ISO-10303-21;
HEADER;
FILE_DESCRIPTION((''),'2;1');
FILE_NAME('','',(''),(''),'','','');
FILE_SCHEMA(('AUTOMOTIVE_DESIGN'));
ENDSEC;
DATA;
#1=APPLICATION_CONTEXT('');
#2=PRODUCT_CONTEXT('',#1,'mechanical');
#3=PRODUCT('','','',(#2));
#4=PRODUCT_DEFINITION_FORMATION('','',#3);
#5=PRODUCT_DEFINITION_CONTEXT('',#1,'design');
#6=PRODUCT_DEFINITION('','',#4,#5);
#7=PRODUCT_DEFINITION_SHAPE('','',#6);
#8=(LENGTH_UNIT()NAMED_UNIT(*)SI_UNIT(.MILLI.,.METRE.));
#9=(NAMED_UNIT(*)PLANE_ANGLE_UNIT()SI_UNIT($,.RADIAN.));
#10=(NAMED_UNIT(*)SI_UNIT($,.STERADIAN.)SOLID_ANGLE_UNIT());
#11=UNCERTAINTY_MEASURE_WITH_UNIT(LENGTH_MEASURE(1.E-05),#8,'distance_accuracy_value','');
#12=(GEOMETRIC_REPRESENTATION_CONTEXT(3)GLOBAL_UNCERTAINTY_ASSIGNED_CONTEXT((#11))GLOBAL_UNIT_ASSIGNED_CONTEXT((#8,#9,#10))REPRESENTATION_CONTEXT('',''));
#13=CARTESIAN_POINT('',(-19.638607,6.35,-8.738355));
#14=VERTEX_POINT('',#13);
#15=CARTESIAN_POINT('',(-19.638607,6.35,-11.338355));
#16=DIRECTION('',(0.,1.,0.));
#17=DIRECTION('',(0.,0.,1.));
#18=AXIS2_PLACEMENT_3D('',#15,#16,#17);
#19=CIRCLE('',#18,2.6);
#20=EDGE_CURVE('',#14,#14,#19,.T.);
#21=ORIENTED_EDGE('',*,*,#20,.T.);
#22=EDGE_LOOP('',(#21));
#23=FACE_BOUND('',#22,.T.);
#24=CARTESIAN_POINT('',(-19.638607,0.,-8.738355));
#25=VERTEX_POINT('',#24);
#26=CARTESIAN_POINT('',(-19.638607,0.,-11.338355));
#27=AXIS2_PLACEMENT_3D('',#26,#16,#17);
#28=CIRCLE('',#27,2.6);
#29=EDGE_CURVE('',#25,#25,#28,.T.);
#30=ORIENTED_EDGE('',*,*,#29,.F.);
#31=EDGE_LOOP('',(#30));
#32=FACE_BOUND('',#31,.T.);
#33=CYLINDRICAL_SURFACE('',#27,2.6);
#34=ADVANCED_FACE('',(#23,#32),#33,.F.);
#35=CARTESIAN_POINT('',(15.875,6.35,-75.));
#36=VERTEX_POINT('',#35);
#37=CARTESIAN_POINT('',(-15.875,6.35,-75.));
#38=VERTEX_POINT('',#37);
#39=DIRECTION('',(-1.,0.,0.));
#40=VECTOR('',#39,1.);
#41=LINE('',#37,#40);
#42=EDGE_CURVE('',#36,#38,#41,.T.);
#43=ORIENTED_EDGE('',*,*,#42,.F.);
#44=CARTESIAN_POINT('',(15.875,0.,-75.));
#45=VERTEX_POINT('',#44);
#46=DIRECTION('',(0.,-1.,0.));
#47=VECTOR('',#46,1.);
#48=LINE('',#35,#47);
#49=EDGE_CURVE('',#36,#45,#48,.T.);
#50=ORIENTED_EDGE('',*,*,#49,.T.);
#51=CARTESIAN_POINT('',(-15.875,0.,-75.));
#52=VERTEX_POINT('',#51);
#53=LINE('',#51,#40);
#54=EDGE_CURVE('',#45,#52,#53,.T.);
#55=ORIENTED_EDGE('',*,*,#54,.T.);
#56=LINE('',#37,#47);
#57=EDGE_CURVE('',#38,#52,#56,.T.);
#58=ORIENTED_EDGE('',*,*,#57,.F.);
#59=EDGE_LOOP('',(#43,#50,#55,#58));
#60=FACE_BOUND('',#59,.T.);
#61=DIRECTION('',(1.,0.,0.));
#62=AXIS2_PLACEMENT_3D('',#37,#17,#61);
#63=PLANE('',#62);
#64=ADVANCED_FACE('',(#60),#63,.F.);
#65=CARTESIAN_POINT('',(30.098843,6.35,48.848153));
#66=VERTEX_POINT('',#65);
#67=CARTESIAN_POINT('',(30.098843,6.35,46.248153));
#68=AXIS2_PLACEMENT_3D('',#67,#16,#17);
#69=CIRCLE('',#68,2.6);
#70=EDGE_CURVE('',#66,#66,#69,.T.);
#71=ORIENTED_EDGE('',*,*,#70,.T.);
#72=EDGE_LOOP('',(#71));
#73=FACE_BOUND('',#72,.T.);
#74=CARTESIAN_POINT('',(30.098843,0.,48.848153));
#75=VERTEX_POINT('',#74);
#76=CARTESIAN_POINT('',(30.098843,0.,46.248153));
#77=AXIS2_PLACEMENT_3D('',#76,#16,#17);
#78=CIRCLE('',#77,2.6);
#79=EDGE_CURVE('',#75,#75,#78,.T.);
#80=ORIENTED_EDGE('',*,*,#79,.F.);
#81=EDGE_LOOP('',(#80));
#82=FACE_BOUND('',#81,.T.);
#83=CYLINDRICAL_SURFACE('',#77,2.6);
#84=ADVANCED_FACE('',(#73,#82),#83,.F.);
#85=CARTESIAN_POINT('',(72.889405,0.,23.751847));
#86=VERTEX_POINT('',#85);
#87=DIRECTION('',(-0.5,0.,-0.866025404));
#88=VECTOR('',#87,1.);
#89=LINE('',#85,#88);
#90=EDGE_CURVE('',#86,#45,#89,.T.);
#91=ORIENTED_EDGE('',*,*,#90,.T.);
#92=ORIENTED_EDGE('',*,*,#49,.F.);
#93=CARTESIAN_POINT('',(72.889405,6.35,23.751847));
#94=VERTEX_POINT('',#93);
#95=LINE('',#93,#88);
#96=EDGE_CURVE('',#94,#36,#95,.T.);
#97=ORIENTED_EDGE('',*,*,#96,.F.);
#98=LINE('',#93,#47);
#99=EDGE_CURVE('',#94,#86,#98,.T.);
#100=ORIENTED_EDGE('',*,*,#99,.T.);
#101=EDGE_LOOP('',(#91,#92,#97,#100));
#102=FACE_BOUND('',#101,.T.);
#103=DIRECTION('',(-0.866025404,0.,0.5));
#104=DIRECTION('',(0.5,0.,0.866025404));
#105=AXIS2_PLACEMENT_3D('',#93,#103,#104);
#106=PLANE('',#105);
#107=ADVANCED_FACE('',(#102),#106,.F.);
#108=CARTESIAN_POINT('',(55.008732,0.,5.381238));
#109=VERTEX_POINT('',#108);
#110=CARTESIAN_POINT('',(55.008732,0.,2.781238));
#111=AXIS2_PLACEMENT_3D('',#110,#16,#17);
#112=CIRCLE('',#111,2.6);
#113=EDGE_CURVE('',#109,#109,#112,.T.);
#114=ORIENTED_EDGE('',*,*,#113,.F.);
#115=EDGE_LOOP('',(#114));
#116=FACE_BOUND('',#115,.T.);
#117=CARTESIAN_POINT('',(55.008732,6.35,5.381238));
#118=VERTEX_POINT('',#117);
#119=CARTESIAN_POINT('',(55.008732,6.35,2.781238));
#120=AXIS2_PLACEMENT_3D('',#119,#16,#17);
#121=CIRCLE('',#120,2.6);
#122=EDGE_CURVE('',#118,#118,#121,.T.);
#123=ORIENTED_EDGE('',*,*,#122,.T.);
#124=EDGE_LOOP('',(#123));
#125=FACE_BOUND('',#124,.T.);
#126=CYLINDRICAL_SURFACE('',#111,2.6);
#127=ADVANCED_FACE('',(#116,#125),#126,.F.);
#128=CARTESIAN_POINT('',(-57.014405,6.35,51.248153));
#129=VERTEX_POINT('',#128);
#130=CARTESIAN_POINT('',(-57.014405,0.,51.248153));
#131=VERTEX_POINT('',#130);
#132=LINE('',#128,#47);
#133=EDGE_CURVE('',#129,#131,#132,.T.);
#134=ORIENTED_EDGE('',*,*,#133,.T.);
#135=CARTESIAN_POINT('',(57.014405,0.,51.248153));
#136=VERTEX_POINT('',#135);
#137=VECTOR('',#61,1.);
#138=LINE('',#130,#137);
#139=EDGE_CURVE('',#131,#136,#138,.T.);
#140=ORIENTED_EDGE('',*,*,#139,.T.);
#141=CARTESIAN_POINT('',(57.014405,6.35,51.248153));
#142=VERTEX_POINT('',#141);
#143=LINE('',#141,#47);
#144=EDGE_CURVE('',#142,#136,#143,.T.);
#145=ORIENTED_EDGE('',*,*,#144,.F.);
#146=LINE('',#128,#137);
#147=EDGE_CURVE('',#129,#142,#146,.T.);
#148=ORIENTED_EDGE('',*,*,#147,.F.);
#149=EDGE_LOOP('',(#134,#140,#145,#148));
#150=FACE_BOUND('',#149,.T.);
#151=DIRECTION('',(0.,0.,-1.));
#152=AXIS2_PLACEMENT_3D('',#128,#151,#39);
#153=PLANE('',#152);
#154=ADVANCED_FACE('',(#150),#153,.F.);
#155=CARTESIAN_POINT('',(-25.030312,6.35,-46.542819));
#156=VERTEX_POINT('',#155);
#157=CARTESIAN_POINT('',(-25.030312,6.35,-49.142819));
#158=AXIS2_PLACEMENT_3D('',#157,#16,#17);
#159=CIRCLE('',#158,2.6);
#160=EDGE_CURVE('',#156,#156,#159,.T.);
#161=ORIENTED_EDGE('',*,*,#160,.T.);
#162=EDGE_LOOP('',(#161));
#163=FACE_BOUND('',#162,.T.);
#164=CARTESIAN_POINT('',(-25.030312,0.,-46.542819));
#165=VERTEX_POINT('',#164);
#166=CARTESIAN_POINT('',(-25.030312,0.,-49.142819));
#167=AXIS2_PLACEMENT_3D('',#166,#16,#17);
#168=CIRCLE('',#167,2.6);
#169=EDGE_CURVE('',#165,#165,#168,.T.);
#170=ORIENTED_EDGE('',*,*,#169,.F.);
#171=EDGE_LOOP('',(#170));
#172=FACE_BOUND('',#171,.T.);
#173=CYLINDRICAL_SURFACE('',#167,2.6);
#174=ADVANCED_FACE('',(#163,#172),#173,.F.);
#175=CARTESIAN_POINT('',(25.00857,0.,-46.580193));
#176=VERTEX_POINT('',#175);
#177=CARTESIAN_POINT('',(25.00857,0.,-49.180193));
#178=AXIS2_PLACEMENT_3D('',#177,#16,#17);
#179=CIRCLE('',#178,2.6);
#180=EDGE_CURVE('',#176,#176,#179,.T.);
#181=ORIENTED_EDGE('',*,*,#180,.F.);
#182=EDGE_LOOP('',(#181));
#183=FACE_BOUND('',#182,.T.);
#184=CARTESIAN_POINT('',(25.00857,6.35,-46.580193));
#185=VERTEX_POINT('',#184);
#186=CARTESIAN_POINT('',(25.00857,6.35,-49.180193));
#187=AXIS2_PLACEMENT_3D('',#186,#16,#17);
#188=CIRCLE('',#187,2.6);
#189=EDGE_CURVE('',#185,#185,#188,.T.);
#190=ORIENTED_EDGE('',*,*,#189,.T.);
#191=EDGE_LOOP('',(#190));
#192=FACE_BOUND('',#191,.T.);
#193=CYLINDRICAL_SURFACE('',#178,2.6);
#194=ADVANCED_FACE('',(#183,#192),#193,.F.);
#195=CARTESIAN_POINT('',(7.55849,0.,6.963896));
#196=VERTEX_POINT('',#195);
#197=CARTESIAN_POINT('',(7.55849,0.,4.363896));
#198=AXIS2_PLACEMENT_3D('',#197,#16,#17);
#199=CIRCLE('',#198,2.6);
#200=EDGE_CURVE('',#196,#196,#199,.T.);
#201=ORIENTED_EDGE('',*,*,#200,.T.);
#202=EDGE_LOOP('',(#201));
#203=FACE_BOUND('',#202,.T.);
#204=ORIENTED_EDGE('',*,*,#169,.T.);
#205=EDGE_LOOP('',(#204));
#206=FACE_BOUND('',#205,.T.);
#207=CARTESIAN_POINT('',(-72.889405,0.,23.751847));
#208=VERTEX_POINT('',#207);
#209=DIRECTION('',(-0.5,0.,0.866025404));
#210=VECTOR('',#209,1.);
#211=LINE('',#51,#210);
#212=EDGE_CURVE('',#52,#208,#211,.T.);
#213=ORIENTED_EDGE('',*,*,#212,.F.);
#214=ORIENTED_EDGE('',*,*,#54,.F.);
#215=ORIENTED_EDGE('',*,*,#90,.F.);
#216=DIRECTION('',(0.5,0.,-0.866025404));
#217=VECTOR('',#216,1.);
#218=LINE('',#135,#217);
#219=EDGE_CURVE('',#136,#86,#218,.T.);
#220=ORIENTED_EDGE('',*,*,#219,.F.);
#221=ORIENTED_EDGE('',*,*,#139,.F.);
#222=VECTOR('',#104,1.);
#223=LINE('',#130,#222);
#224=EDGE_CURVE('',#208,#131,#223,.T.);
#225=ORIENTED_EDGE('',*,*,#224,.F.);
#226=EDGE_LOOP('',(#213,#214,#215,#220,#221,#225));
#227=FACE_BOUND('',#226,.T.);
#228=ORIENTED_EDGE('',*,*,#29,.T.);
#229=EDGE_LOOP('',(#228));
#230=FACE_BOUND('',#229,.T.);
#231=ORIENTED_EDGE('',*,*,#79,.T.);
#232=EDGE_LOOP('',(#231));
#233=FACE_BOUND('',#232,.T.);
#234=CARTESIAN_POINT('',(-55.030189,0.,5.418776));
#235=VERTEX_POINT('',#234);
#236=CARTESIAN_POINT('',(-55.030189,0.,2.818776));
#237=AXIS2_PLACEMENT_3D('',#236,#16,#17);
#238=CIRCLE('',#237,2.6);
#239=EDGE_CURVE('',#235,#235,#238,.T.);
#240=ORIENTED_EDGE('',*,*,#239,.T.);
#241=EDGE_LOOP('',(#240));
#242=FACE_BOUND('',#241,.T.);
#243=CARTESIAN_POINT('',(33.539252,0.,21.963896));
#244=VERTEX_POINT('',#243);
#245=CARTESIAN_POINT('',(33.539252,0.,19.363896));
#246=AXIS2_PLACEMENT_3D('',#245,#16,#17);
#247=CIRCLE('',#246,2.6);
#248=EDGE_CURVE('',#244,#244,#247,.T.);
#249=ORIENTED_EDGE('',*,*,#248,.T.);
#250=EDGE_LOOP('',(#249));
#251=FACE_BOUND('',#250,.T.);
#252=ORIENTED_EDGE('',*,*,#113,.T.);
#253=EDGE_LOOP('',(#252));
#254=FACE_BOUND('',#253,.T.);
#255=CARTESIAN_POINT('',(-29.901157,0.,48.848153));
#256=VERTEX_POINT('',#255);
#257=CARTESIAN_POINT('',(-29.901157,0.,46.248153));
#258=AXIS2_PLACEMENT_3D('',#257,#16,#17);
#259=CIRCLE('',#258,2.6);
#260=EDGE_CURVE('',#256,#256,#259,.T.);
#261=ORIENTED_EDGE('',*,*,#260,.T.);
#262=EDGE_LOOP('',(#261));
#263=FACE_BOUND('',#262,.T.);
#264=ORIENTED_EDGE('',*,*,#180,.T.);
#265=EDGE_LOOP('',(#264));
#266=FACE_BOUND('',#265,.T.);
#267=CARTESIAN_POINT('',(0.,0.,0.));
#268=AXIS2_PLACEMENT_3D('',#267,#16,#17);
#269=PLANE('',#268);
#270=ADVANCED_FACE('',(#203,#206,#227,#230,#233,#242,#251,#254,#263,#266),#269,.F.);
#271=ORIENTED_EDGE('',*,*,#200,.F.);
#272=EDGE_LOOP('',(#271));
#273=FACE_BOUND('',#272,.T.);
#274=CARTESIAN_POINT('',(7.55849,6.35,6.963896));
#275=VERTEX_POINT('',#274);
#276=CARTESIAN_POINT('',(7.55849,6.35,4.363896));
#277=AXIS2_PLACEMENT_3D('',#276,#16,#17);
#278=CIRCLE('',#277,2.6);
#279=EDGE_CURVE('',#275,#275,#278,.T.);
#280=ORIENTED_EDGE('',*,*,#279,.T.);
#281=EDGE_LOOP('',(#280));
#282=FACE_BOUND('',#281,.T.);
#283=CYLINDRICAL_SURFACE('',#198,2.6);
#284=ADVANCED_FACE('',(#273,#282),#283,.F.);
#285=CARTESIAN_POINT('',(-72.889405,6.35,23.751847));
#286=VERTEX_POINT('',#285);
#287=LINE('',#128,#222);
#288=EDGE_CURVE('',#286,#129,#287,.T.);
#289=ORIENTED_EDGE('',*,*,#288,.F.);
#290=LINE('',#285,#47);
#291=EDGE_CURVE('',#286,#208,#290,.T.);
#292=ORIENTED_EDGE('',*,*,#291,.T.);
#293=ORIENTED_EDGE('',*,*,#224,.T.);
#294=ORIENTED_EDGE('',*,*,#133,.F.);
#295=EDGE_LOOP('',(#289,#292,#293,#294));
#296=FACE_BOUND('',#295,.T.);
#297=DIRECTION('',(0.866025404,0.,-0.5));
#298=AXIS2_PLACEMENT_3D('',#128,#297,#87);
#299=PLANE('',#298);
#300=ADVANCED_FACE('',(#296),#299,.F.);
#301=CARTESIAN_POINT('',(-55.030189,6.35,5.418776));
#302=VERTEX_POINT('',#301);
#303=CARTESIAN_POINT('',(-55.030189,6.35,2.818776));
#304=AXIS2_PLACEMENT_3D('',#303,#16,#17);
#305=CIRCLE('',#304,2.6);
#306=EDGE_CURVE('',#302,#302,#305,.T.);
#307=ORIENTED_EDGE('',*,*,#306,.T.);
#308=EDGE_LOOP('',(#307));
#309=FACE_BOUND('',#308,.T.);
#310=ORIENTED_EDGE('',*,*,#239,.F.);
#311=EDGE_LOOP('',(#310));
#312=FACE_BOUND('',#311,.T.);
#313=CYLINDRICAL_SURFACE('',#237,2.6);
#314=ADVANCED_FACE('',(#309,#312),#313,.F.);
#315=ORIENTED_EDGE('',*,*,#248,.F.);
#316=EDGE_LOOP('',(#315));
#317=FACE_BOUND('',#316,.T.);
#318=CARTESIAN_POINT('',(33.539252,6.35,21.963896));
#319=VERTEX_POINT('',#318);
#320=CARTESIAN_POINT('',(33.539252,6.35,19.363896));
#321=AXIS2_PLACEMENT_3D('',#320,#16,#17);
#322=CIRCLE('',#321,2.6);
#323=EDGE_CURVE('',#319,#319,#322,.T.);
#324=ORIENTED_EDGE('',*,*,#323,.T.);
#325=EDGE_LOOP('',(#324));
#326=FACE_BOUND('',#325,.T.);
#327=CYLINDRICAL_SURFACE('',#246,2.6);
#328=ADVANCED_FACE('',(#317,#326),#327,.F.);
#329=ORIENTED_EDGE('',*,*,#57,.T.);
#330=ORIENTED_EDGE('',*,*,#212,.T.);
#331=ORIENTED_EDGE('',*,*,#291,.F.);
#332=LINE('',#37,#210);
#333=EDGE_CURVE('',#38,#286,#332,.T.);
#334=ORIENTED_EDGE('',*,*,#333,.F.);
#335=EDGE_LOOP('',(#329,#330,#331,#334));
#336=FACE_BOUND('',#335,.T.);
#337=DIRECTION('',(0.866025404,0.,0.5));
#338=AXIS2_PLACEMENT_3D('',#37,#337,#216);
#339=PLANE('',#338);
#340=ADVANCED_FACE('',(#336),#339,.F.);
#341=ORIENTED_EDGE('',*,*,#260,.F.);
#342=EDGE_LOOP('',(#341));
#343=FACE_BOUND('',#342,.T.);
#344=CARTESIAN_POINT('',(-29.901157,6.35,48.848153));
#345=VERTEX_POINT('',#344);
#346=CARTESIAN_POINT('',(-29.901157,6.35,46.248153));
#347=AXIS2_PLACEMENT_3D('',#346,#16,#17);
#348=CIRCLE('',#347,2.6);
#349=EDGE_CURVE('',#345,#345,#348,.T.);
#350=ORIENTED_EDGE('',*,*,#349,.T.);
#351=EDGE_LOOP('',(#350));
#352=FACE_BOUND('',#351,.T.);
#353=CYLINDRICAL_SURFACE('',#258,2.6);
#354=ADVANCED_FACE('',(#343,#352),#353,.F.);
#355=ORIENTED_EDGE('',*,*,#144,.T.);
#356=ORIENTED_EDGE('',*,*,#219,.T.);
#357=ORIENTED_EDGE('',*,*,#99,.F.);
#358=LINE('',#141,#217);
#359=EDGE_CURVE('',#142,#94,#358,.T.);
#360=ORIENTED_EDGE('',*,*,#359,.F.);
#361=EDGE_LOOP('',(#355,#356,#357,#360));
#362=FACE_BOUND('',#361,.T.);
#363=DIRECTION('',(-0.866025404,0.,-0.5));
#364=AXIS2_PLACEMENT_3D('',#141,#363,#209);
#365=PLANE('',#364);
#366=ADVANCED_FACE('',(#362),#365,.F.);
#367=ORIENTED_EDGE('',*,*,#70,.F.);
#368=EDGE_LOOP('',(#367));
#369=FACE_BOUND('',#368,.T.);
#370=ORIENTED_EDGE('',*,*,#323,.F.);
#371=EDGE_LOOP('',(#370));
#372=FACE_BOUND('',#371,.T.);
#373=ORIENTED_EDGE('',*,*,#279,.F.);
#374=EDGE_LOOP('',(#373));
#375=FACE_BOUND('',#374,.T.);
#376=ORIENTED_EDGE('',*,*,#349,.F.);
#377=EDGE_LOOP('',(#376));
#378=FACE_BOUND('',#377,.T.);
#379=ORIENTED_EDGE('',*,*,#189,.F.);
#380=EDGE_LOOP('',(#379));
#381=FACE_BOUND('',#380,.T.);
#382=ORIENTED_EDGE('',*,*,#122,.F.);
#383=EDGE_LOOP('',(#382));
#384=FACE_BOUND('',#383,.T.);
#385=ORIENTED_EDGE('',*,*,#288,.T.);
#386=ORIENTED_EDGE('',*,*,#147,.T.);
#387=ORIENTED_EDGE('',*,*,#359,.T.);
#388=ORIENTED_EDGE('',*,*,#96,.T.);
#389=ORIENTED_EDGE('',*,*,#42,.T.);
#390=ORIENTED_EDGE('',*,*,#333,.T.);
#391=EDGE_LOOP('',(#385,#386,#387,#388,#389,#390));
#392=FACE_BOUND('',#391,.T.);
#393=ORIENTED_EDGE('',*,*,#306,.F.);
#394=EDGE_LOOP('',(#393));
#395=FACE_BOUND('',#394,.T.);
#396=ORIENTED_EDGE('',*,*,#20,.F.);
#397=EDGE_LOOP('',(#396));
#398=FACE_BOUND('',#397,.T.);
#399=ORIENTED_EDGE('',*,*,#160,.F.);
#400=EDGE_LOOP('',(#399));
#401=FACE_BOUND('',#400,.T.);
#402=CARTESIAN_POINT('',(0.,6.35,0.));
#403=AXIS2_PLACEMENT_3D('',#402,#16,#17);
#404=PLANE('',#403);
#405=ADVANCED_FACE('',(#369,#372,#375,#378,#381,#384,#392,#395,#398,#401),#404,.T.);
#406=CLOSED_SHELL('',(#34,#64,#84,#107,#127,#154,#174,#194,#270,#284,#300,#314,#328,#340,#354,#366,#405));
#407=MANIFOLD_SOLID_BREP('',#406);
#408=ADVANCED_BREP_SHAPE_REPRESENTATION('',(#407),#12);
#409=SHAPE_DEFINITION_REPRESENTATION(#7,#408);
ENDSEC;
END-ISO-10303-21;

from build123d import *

# Parameters (mm, degrees)
BOSS_EXTRUDE1_DEPTH = 6.35
SKETCH9_R           = 2.6
CUT_EXTRUDE1_DEPTH  = 105.776848123
SKETCH12_R          = 2.6
CUT_EXTRUDE4_DEPTH  = 105.776848123


with BuildPart() as part:
    # Sketch1 → Boss-Extrude1 (new body)
    with BuildSketch(Plane(origin=(0, 0, 0), x_dir=(1, 0, 0), z_dir=(0, 1, 0))):
        Polygon((-15.875, 75), (15.875, 75), (72.889405284, -23.751846715), (57.014405284, -51.248153285), (-57.014405284, -51.248153285), (-72.889405284, -23.751846715), align=None)
    extrude(amount=BOSS_EXTRUDE1_DEPTH)

    # Sketch9 → Cut-Extrude1 (cut, through all)
    with BuildSketch(Plane(origin=(0, 6.35, 0), x_dir=(1, 0, 0), z_dir=(0, 1, 0))):
        with Locations(Location((-25.030312278, 49.142819263, 0), (0, 0, 270))):
            Circle(SKETCH9_R)
        with Locations(Location((25.008570083, 49.180192562, 0), (0, 0, 270))):
            Circle(SKETCH9_R)
        with Locations(Location((55.008731986, -2.78123819, 0), (0, 0, 270))):
            Circle(SKETCH9_R)
        with Locations(Location((30.09884337, -46.248153285, 0), (0, 0, 270))):
            Circle(SKETCH9_R)
        with Locations(Location((-55.030188745, -2.818776286, 0), (0, 0, 270))):
            Circle(SKETCH9_R)
        with Locations(Location((-29.90115663, -46.248153285, 0), (0, 0, 270))):
            Circle(SKETCH9_R)
    extrude(amount=-CUT_EXTRUDE1_DEPTH, mode=Mode.SUBTRACT)

    # Sketch12 → Cut-Extrude4 (cut, through all)
    with BuildSketch(Plane(origin=(0, 6.35, 0), x_dir=(1, 0, 0), z_dir=(0, 1, 0))):
        with Locations(Location((33.539251883, -19.363896103, 0), (0, 0, 270))):
            Circle(SKETCH12_R)
        with Locations(Location((7.55848977, -4.363896103, 0), (0, 0, 270))):
            Circle(SKETCH12_R)
        with Locations(Location((-19.638606793, 11.338354919, 0), (0, 0, 270))):
            Circle(SKETCH12_R)
    extrude(amount=-CUT_EXTRUDE4_DEPTH, mode=Mode.SUBTRACT)


solid = part.part
